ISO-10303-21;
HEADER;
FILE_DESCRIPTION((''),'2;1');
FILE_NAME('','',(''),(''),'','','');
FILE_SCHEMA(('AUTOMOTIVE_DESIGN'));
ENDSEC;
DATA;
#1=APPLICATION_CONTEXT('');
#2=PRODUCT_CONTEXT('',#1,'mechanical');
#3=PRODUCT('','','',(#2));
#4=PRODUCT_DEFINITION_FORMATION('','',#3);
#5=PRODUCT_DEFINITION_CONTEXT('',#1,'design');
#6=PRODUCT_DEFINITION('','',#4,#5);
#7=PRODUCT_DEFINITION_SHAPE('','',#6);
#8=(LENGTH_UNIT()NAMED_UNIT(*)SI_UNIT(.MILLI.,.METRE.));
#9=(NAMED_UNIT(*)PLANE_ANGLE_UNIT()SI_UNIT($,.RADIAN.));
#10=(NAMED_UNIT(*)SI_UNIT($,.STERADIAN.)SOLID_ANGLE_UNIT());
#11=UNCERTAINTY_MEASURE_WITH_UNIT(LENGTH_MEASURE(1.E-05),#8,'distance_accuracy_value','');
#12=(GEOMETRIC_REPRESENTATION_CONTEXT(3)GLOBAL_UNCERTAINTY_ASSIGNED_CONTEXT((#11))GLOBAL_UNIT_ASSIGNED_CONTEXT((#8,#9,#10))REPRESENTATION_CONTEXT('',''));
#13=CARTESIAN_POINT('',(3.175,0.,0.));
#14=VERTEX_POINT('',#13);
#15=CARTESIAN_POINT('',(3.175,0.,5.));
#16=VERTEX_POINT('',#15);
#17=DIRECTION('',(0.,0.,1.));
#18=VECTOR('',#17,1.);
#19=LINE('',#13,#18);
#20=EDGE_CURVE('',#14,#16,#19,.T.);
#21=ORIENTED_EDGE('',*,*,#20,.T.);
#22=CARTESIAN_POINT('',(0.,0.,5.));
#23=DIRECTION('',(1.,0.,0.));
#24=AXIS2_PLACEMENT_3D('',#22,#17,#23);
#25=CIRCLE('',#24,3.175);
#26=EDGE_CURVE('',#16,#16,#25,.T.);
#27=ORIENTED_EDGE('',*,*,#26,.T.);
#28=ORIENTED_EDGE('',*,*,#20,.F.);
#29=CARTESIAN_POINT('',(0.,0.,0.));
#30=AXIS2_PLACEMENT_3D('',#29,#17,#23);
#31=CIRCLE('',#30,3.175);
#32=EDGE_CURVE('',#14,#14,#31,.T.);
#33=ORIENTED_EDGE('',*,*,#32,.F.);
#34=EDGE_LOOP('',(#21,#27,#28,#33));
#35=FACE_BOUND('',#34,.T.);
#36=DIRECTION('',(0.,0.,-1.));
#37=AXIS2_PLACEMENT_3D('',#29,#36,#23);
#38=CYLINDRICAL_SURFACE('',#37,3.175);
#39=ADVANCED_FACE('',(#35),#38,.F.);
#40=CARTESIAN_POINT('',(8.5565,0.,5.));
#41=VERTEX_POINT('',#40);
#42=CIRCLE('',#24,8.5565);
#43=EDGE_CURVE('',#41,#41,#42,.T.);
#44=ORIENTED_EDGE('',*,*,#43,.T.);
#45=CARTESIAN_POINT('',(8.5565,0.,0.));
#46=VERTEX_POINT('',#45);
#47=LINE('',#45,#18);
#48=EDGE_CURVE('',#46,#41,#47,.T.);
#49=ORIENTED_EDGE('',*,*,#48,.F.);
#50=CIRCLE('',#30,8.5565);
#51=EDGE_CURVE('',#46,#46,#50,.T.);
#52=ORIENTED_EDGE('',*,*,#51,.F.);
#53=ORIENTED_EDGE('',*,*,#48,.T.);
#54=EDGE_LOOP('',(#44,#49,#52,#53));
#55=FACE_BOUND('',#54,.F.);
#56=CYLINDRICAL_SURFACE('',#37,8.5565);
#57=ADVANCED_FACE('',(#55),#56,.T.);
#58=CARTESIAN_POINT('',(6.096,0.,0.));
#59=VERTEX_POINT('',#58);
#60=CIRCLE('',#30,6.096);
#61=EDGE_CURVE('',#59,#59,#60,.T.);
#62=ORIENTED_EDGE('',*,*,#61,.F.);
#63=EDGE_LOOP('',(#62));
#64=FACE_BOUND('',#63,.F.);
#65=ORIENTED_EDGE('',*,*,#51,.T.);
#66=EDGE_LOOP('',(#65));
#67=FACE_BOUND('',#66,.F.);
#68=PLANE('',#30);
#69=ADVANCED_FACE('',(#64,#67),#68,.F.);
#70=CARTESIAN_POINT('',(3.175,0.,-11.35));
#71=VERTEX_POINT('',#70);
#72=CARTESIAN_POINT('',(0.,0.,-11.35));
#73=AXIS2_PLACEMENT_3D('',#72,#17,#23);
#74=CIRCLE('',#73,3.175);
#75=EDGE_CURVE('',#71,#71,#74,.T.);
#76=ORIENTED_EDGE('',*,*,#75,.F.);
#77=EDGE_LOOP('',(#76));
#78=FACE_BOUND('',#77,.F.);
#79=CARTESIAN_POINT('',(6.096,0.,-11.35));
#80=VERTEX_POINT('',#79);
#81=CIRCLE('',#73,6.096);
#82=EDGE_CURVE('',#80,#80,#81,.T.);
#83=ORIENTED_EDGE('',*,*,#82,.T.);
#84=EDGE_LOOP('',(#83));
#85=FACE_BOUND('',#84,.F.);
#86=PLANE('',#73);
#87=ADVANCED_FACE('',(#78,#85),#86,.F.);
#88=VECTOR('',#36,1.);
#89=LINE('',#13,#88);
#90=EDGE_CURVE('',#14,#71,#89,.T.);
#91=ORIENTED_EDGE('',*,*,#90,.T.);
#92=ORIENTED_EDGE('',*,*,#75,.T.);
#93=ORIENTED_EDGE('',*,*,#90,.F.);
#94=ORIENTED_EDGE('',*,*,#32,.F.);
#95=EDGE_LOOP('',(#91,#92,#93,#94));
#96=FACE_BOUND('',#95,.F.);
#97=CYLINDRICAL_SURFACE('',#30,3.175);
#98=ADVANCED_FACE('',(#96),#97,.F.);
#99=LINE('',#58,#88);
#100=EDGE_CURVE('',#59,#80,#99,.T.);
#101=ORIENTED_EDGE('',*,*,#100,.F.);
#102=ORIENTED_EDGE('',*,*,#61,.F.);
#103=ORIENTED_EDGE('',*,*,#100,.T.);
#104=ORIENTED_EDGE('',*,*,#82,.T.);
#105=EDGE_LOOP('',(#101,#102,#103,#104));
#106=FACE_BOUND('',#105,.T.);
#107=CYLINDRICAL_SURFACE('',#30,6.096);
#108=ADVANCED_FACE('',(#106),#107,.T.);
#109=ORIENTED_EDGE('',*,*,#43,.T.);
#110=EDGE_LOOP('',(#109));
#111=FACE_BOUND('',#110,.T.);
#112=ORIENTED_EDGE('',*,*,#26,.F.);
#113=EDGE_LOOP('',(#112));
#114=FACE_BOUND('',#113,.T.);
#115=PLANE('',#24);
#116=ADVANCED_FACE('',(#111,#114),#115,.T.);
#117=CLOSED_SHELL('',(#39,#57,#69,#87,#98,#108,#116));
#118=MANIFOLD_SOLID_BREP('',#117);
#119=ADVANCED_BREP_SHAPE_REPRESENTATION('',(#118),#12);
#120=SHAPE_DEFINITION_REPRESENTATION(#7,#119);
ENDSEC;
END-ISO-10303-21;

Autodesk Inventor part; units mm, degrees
ref_plane "YZ Plane" through (0, 0, 0) normal (1, 0, 0) x (0, 1, 0)
ref_plane "XZ Plane" through (0, 0, 0) normal (0, 1, 0) x (-1, 0, 0)
ref_plane "XY Plane" through (0, 0, 0) normal (0, 0, 1) x (1, 0, 0)
sketch "Sketch1" plane through (0, 0, 0) normal (0, 0, 1) x (1, 0, 0)
  circle A0 centre (0, 0) radius 6.096
  circle A1 centre (0, 0) radius 3.175
  circle A2 centre (0, 0) radius 8.5565
  dimension "d0" = 12.192
  dimension "d1" = 6.35
  dimension "d2" = 17.113
extrude "Extrusion2" add sketch "Sketch1" against normal blind 11.35 contours A0
extrude "Extrusion3" add sketch "Sketch1" along normal blind 5 contours A0 | A2
properties part number "springPusherFinal"
